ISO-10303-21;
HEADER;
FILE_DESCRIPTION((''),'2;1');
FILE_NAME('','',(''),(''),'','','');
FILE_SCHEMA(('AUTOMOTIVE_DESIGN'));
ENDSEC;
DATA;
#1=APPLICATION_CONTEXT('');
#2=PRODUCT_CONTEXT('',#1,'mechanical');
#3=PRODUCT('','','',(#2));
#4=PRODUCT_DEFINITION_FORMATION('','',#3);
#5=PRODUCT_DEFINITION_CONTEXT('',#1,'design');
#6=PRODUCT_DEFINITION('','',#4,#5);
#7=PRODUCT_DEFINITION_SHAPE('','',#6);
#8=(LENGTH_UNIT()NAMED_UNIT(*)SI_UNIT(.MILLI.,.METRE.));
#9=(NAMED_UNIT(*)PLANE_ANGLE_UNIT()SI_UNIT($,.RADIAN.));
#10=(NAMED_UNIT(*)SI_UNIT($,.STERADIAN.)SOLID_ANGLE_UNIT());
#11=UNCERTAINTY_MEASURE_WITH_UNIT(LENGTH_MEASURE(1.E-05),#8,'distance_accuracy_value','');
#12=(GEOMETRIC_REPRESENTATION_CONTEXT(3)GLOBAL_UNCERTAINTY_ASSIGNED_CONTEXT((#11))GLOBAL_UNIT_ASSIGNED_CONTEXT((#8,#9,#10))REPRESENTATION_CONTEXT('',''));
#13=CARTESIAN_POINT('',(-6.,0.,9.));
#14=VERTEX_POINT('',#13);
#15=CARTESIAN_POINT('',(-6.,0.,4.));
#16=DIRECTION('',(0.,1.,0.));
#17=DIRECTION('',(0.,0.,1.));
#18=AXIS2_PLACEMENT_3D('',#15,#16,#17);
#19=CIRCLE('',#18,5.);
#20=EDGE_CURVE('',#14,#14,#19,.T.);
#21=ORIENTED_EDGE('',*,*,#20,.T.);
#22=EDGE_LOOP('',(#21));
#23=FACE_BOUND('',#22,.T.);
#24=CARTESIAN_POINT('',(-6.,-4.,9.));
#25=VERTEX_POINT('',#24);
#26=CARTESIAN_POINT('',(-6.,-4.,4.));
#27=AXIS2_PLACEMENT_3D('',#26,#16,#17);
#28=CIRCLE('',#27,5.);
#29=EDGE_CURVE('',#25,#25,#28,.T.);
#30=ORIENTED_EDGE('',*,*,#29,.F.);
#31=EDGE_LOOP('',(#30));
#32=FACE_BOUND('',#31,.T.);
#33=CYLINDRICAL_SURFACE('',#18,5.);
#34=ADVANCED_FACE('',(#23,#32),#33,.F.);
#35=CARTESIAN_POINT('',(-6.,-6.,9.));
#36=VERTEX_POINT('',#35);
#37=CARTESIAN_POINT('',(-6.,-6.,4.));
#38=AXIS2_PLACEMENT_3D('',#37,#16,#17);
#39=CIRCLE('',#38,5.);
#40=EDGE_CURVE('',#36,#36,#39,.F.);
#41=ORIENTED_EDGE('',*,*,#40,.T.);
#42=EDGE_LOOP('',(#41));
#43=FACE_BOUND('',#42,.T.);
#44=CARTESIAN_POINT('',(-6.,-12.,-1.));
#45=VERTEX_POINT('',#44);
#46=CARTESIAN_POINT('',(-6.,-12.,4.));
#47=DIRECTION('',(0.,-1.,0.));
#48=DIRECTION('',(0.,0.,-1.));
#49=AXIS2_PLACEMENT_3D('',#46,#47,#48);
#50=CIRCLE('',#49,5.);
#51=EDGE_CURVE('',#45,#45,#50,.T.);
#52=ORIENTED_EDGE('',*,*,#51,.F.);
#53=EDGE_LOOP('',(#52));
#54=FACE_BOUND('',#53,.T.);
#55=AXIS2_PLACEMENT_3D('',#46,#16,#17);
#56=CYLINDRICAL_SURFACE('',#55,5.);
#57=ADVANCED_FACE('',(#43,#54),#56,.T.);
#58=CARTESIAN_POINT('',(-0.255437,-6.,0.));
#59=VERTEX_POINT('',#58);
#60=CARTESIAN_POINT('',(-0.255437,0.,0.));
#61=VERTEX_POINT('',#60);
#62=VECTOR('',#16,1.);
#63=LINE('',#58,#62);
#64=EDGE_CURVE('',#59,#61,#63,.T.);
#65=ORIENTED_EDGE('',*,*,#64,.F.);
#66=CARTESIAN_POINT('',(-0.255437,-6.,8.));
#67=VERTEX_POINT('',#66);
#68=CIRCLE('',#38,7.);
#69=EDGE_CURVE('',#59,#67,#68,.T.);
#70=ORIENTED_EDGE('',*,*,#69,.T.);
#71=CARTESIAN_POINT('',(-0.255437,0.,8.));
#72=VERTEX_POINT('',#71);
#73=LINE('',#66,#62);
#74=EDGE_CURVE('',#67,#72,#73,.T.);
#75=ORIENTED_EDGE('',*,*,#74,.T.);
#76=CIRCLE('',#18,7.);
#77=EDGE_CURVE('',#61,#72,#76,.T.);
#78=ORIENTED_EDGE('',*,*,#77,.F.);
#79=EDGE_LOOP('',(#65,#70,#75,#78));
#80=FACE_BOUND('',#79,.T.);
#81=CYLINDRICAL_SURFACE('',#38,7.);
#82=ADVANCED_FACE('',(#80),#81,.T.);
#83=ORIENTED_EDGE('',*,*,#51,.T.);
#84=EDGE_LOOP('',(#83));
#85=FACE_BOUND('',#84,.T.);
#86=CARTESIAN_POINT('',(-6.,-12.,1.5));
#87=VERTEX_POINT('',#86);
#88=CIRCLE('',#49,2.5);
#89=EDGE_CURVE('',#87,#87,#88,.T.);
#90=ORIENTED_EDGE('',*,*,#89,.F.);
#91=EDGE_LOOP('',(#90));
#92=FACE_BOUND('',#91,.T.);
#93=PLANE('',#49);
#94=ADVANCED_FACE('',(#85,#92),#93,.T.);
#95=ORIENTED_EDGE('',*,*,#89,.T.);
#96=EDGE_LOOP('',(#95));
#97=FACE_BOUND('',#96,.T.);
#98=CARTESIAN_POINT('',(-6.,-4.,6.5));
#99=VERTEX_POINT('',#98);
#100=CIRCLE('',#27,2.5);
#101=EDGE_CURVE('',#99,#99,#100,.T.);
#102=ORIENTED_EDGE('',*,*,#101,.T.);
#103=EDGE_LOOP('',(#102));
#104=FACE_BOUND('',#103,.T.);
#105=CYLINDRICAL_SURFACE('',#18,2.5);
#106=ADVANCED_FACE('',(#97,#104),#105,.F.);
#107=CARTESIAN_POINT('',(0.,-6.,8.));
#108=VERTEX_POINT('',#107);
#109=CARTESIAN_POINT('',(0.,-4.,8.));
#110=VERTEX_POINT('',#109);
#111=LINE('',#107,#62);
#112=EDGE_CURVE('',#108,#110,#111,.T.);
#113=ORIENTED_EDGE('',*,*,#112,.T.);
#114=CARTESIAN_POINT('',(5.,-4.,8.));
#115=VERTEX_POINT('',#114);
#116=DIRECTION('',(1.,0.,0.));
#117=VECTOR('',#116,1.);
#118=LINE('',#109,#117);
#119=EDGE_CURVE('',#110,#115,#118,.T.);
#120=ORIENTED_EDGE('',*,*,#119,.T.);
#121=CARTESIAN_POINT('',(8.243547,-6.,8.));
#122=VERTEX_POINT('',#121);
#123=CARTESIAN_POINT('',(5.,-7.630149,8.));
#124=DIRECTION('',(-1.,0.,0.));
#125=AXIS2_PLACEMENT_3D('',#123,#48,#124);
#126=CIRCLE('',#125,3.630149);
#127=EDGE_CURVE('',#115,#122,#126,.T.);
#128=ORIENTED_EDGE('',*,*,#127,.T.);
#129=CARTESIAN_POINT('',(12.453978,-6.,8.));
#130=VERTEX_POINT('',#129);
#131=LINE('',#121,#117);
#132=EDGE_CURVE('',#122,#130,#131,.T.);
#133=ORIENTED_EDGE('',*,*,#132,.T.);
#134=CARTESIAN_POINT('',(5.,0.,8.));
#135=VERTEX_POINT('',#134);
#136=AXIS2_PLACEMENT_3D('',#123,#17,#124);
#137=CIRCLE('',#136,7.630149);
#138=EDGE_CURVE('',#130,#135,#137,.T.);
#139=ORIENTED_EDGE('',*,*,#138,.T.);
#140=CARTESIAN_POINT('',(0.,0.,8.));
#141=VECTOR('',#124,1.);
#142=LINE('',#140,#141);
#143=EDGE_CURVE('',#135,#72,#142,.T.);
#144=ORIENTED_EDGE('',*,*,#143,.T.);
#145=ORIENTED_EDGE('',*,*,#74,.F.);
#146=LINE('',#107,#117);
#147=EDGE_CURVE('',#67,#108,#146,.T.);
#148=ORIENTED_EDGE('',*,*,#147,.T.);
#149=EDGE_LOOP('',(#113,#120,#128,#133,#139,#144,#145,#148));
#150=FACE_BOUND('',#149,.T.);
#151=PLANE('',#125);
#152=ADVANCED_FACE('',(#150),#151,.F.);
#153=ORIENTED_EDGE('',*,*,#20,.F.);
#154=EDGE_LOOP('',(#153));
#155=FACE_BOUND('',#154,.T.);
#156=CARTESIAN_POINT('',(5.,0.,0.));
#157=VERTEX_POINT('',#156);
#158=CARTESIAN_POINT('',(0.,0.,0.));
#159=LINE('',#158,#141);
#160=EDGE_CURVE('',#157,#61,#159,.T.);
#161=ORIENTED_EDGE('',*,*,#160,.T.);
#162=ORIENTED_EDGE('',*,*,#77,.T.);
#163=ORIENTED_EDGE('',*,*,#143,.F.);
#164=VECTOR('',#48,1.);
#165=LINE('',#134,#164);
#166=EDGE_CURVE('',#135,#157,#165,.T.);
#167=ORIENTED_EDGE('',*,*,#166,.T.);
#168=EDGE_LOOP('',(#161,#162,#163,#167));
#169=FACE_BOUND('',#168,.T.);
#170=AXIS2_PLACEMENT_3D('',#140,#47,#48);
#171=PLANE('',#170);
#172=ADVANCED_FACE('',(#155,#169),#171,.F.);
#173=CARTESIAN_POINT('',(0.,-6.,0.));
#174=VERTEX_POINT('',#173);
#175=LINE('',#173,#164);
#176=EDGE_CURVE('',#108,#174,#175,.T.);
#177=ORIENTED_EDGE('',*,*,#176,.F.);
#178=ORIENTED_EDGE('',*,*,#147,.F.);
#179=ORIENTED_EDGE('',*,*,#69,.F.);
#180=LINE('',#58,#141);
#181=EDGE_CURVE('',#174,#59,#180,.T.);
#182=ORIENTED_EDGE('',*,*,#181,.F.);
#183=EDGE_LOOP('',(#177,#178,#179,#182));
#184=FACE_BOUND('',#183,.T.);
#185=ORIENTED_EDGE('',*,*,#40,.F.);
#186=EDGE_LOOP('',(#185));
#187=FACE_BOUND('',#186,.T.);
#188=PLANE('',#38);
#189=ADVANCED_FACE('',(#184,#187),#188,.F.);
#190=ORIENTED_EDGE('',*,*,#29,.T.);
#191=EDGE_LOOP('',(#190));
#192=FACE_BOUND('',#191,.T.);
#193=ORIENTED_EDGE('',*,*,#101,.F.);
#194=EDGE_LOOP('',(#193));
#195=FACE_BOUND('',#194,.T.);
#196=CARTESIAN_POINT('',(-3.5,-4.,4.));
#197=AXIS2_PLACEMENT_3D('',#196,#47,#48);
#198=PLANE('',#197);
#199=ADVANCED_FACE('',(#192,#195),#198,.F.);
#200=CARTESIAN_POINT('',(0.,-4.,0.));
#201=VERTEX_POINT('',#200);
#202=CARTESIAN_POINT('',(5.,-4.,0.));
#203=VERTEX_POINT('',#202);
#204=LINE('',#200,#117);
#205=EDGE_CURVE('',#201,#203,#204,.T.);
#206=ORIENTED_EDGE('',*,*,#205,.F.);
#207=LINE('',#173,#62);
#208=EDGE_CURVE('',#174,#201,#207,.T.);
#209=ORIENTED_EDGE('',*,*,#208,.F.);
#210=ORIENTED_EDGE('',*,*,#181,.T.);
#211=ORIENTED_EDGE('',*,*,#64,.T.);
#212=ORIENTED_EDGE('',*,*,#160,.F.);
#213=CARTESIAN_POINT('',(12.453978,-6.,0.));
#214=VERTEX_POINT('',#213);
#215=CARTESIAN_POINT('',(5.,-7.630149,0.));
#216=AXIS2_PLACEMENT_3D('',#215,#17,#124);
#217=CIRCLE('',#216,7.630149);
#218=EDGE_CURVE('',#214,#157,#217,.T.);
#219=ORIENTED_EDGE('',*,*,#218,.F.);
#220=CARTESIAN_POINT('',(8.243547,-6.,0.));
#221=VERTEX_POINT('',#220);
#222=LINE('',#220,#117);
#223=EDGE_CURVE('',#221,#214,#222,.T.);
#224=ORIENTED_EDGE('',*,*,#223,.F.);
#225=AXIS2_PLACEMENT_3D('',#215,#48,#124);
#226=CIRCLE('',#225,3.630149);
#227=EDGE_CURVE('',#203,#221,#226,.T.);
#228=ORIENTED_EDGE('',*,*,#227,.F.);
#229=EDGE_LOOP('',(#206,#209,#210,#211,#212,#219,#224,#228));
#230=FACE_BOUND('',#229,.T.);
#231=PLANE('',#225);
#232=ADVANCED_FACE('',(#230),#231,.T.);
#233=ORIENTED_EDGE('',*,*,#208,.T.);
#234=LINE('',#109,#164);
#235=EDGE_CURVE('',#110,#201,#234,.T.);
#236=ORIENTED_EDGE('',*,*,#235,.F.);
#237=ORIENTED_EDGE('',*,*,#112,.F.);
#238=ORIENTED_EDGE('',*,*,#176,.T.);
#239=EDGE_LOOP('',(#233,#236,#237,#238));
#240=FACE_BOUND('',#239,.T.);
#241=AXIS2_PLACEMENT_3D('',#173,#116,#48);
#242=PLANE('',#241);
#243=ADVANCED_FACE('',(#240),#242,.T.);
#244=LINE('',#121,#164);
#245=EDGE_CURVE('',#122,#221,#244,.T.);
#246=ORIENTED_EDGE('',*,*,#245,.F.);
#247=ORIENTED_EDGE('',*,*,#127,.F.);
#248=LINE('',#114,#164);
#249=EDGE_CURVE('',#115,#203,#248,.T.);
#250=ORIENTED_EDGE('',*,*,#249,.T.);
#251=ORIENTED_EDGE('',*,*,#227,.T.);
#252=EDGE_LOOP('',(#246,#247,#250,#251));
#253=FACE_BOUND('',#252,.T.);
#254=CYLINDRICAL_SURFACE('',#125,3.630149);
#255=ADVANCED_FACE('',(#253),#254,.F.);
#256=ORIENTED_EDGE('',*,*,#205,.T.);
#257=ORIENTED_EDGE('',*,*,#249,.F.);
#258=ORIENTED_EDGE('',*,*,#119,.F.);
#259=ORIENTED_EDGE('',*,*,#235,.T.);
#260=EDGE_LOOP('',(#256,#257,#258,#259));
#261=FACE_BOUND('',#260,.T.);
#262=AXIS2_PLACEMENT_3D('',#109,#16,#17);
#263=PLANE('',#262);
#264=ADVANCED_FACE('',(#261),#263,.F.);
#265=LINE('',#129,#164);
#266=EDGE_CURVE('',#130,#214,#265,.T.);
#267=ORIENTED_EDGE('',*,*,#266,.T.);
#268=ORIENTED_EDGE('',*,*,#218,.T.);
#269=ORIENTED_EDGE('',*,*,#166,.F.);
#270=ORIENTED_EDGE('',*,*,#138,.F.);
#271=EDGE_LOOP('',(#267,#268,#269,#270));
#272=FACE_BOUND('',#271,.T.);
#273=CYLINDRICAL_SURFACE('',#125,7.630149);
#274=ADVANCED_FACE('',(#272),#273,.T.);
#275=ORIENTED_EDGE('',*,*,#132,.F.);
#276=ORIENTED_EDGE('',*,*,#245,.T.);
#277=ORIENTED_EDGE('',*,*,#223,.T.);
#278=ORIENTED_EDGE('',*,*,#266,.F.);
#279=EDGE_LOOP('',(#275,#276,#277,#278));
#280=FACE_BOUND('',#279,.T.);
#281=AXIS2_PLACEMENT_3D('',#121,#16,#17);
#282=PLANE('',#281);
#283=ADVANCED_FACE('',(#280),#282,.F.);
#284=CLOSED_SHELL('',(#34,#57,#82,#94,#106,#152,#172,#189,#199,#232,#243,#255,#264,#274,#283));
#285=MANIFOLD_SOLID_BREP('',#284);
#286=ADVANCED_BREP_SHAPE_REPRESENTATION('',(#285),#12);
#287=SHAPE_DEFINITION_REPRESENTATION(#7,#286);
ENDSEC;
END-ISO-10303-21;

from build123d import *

# Parameters (mm, degrees)
EXTRUDE_1_DEPTH           = 8
EXTRUDE_2_DEPTH           = 6
SKETCH_5_R                = 5
EXTRUDE_3_DEPTH           = 6
HOLE_WIZARD_1_D           = 5
HOLE_WIZARD_1_DEPTH       = 30
HOLE_WIZARD_1_CBORE_D     = 10
HOLE_WIZARD_1_CBORE_DEPTH = 4


with BuildPart() as part:
    # 草图3 → 凸台-拉伸1 (new body)
    with BuildSketch(Plane.XY):
        with BuildLine():
            Line((0, 0), (5, 0))
            ThreePointArc((5, 0), (9.784396345, -1.68635165), (12.453978369, -6))
            Line((12.453978369, -6), (8.243547108, -6))
            ThreePointArc((8.243547108, -6), (6.905295111, -4.540192237), (5, -4))
            Line((5, -4), (0, -4))
            Line((0, -4), (0, 0))
        make_face()
    extrude(amount=EXTRUDE_1_DEPTH)

    # 草图4 → 凸台-拉伸2 (add)
    with BuildSketch(Plane(origin=(0, 0, 0), x_dir=(1, 0, 0), z_dir=(0, 1, 0))):
        with BuildLine():
            Line((-0.255437353, 0), (0, 0))
            Line((0, 0), (0, -8))
            Line((0, -8), (-0.255437353, -8))
            ThreePointArc((-0.255437353, -8), (-13, -4), (-0.255437353, 0))
        make_face()
    extrude(amount=-EXTRUDE_2_DEPTH)

    # 草图5 → 凸台-拉伸3 (add)
    with BuildSketch(Plane.XZ.offset(6)):
        with Locations((-6, 4)):
            Circle(SKETCH_5_R)
    extrude(amount=EXTRUDE_3_DEPTH)

    # 孔1
    with Locations(Plane(origin=(-6, 0, 4), x_dir=(0, 0, 1), z_dir=(0, 1, 0))):
        with Locations((0, 0)):
            CounterBoreHole(HOLE_WIZARD_1_D / 2, HOLE_WIZARD_1_CBORE_D / 2, HOLE_WIZARD_1_CBORE_DEPTH, depth=HOLE_WIZARD_1_DEPTH)


solid = part.part
